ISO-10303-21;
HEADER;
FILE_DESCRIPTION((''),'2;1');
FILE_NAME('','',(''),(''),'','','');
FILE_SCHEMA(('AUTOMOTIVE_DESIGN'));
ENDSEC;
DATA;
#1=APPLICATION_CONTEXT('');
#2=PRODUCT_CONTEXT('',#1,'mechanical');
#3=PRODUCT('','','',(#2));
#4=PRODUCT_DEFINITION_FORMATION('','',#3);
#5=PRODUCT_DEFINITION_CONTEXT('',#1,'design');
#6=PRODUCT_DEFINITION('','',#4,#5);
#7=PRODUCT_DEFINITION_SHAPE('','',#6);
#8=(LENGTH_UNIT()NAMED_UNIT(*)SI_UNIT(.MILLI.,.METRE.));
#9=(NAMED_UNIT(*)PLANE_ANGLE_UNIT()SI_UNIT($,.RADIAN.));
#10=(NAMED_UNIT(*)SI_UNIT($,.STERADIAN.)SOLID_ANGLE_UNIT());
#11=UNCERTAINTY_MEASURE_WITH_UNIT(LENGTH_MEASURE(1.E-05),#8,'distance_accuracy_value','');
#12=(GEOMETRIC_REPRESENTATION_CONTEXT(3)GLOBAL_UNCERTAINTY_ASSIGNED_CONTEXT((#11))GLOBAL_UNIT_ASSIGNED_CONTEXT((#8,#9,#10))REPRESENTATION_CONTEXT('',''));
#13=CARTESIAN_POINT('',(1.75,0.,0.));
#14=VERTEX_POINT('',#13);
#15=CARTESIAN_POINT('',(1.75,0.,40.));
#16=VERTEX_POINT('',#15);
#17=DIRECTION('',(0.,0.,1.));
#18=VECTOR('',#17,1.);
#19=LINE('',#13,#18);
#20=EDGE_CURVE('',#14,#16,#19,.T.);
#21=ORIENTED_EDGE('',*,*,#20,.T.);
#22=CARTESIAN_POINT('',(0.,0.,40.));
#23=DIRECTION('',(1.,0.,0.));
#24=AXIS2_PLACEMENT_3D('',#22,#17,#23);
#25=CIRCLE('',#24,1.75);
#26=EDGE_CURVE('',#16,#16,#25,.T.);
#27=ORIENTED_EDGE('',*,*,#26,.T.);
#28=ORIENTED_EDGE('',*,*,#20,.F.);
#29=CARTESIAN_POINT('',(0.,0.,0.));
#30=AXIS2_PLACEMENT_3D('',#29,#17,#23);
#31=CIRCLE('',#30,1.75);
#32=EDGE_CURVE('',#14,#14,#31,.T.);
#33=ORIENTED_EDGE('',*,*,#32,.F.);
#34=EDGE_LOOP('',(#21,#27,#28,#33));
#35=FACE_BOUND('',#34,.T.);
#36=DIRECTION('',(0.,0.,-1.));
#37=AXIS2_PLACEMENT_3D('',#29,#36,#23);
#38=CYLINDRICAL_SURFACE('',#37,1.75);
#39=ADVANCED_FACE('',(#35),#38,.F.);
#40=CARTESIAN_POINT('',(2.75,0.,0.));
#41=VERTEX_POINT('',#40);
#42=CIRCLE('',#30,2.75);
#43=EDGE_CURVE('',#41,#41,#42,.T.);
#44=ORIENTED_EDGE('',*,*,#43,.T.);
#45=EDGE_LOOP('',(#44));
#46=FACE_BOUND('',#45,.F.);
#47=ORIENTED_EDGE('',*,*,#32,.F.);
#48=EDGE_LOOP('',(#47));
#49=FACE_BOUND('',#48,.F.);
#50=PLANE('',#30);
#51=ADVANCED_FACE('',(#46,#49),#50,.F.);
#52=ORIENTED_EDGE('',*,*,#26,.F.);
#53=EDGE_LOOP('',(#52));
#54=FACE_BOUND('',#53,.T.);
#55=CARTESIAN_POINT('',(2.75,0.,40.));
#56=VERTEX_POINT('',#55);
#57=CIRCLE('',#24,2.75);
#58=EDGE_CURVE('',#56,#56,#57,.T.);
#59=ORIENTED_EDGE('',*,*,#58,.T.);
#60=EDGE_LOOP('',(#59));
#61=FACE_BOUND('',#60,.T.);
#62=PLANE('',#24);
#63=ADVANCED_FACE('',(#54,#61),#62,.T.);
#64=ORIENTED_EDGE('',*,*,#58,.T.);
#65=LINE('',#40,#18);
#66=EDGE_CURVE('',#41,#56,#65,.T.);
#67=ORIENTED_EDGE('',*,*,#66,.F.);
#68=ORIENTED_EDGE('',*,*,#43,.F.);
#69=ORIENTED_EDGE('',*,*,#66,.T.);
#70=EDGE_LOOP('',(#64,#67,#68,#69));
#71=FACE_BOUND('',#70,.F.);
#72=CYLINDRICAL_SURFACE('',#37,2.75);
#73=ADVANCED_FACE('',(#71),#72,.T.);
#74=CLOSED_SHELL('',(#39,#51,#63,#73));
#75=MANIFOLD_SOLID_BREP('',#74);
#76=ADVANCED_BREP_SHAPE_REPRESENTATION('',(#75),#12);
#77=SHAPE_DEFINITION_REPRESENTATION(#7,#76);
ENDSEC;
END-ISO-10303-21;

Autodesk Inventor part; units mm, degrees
ref_plane "YZ Plane" through (0, 0, 0) normal (1, 0, 0) x (0, 1, 0)
ref_plane "XZ Plane" through (0, 0, 0) normal (0, 1, 0) x (-1, 0, 0)
ref_plane "XY Plane" through (0, 0, 0) normal (0, 0, 1) x (1, 0, 0)
sketch "Skizze1" plane through (0, 0, 0) normal (0, 0, 1) x (1, 0, 0)
  circle A0 centre (0, 0) radius 1.75
  circle A1 centre (0, 0) radius 2.75
  dimension "d0" = 1
  dimension "d1" = 3.5
extrude "Extrusion1" add sketch "Skizze1" along normal blind 40
properties part number "Base-Stewart-Connector"
